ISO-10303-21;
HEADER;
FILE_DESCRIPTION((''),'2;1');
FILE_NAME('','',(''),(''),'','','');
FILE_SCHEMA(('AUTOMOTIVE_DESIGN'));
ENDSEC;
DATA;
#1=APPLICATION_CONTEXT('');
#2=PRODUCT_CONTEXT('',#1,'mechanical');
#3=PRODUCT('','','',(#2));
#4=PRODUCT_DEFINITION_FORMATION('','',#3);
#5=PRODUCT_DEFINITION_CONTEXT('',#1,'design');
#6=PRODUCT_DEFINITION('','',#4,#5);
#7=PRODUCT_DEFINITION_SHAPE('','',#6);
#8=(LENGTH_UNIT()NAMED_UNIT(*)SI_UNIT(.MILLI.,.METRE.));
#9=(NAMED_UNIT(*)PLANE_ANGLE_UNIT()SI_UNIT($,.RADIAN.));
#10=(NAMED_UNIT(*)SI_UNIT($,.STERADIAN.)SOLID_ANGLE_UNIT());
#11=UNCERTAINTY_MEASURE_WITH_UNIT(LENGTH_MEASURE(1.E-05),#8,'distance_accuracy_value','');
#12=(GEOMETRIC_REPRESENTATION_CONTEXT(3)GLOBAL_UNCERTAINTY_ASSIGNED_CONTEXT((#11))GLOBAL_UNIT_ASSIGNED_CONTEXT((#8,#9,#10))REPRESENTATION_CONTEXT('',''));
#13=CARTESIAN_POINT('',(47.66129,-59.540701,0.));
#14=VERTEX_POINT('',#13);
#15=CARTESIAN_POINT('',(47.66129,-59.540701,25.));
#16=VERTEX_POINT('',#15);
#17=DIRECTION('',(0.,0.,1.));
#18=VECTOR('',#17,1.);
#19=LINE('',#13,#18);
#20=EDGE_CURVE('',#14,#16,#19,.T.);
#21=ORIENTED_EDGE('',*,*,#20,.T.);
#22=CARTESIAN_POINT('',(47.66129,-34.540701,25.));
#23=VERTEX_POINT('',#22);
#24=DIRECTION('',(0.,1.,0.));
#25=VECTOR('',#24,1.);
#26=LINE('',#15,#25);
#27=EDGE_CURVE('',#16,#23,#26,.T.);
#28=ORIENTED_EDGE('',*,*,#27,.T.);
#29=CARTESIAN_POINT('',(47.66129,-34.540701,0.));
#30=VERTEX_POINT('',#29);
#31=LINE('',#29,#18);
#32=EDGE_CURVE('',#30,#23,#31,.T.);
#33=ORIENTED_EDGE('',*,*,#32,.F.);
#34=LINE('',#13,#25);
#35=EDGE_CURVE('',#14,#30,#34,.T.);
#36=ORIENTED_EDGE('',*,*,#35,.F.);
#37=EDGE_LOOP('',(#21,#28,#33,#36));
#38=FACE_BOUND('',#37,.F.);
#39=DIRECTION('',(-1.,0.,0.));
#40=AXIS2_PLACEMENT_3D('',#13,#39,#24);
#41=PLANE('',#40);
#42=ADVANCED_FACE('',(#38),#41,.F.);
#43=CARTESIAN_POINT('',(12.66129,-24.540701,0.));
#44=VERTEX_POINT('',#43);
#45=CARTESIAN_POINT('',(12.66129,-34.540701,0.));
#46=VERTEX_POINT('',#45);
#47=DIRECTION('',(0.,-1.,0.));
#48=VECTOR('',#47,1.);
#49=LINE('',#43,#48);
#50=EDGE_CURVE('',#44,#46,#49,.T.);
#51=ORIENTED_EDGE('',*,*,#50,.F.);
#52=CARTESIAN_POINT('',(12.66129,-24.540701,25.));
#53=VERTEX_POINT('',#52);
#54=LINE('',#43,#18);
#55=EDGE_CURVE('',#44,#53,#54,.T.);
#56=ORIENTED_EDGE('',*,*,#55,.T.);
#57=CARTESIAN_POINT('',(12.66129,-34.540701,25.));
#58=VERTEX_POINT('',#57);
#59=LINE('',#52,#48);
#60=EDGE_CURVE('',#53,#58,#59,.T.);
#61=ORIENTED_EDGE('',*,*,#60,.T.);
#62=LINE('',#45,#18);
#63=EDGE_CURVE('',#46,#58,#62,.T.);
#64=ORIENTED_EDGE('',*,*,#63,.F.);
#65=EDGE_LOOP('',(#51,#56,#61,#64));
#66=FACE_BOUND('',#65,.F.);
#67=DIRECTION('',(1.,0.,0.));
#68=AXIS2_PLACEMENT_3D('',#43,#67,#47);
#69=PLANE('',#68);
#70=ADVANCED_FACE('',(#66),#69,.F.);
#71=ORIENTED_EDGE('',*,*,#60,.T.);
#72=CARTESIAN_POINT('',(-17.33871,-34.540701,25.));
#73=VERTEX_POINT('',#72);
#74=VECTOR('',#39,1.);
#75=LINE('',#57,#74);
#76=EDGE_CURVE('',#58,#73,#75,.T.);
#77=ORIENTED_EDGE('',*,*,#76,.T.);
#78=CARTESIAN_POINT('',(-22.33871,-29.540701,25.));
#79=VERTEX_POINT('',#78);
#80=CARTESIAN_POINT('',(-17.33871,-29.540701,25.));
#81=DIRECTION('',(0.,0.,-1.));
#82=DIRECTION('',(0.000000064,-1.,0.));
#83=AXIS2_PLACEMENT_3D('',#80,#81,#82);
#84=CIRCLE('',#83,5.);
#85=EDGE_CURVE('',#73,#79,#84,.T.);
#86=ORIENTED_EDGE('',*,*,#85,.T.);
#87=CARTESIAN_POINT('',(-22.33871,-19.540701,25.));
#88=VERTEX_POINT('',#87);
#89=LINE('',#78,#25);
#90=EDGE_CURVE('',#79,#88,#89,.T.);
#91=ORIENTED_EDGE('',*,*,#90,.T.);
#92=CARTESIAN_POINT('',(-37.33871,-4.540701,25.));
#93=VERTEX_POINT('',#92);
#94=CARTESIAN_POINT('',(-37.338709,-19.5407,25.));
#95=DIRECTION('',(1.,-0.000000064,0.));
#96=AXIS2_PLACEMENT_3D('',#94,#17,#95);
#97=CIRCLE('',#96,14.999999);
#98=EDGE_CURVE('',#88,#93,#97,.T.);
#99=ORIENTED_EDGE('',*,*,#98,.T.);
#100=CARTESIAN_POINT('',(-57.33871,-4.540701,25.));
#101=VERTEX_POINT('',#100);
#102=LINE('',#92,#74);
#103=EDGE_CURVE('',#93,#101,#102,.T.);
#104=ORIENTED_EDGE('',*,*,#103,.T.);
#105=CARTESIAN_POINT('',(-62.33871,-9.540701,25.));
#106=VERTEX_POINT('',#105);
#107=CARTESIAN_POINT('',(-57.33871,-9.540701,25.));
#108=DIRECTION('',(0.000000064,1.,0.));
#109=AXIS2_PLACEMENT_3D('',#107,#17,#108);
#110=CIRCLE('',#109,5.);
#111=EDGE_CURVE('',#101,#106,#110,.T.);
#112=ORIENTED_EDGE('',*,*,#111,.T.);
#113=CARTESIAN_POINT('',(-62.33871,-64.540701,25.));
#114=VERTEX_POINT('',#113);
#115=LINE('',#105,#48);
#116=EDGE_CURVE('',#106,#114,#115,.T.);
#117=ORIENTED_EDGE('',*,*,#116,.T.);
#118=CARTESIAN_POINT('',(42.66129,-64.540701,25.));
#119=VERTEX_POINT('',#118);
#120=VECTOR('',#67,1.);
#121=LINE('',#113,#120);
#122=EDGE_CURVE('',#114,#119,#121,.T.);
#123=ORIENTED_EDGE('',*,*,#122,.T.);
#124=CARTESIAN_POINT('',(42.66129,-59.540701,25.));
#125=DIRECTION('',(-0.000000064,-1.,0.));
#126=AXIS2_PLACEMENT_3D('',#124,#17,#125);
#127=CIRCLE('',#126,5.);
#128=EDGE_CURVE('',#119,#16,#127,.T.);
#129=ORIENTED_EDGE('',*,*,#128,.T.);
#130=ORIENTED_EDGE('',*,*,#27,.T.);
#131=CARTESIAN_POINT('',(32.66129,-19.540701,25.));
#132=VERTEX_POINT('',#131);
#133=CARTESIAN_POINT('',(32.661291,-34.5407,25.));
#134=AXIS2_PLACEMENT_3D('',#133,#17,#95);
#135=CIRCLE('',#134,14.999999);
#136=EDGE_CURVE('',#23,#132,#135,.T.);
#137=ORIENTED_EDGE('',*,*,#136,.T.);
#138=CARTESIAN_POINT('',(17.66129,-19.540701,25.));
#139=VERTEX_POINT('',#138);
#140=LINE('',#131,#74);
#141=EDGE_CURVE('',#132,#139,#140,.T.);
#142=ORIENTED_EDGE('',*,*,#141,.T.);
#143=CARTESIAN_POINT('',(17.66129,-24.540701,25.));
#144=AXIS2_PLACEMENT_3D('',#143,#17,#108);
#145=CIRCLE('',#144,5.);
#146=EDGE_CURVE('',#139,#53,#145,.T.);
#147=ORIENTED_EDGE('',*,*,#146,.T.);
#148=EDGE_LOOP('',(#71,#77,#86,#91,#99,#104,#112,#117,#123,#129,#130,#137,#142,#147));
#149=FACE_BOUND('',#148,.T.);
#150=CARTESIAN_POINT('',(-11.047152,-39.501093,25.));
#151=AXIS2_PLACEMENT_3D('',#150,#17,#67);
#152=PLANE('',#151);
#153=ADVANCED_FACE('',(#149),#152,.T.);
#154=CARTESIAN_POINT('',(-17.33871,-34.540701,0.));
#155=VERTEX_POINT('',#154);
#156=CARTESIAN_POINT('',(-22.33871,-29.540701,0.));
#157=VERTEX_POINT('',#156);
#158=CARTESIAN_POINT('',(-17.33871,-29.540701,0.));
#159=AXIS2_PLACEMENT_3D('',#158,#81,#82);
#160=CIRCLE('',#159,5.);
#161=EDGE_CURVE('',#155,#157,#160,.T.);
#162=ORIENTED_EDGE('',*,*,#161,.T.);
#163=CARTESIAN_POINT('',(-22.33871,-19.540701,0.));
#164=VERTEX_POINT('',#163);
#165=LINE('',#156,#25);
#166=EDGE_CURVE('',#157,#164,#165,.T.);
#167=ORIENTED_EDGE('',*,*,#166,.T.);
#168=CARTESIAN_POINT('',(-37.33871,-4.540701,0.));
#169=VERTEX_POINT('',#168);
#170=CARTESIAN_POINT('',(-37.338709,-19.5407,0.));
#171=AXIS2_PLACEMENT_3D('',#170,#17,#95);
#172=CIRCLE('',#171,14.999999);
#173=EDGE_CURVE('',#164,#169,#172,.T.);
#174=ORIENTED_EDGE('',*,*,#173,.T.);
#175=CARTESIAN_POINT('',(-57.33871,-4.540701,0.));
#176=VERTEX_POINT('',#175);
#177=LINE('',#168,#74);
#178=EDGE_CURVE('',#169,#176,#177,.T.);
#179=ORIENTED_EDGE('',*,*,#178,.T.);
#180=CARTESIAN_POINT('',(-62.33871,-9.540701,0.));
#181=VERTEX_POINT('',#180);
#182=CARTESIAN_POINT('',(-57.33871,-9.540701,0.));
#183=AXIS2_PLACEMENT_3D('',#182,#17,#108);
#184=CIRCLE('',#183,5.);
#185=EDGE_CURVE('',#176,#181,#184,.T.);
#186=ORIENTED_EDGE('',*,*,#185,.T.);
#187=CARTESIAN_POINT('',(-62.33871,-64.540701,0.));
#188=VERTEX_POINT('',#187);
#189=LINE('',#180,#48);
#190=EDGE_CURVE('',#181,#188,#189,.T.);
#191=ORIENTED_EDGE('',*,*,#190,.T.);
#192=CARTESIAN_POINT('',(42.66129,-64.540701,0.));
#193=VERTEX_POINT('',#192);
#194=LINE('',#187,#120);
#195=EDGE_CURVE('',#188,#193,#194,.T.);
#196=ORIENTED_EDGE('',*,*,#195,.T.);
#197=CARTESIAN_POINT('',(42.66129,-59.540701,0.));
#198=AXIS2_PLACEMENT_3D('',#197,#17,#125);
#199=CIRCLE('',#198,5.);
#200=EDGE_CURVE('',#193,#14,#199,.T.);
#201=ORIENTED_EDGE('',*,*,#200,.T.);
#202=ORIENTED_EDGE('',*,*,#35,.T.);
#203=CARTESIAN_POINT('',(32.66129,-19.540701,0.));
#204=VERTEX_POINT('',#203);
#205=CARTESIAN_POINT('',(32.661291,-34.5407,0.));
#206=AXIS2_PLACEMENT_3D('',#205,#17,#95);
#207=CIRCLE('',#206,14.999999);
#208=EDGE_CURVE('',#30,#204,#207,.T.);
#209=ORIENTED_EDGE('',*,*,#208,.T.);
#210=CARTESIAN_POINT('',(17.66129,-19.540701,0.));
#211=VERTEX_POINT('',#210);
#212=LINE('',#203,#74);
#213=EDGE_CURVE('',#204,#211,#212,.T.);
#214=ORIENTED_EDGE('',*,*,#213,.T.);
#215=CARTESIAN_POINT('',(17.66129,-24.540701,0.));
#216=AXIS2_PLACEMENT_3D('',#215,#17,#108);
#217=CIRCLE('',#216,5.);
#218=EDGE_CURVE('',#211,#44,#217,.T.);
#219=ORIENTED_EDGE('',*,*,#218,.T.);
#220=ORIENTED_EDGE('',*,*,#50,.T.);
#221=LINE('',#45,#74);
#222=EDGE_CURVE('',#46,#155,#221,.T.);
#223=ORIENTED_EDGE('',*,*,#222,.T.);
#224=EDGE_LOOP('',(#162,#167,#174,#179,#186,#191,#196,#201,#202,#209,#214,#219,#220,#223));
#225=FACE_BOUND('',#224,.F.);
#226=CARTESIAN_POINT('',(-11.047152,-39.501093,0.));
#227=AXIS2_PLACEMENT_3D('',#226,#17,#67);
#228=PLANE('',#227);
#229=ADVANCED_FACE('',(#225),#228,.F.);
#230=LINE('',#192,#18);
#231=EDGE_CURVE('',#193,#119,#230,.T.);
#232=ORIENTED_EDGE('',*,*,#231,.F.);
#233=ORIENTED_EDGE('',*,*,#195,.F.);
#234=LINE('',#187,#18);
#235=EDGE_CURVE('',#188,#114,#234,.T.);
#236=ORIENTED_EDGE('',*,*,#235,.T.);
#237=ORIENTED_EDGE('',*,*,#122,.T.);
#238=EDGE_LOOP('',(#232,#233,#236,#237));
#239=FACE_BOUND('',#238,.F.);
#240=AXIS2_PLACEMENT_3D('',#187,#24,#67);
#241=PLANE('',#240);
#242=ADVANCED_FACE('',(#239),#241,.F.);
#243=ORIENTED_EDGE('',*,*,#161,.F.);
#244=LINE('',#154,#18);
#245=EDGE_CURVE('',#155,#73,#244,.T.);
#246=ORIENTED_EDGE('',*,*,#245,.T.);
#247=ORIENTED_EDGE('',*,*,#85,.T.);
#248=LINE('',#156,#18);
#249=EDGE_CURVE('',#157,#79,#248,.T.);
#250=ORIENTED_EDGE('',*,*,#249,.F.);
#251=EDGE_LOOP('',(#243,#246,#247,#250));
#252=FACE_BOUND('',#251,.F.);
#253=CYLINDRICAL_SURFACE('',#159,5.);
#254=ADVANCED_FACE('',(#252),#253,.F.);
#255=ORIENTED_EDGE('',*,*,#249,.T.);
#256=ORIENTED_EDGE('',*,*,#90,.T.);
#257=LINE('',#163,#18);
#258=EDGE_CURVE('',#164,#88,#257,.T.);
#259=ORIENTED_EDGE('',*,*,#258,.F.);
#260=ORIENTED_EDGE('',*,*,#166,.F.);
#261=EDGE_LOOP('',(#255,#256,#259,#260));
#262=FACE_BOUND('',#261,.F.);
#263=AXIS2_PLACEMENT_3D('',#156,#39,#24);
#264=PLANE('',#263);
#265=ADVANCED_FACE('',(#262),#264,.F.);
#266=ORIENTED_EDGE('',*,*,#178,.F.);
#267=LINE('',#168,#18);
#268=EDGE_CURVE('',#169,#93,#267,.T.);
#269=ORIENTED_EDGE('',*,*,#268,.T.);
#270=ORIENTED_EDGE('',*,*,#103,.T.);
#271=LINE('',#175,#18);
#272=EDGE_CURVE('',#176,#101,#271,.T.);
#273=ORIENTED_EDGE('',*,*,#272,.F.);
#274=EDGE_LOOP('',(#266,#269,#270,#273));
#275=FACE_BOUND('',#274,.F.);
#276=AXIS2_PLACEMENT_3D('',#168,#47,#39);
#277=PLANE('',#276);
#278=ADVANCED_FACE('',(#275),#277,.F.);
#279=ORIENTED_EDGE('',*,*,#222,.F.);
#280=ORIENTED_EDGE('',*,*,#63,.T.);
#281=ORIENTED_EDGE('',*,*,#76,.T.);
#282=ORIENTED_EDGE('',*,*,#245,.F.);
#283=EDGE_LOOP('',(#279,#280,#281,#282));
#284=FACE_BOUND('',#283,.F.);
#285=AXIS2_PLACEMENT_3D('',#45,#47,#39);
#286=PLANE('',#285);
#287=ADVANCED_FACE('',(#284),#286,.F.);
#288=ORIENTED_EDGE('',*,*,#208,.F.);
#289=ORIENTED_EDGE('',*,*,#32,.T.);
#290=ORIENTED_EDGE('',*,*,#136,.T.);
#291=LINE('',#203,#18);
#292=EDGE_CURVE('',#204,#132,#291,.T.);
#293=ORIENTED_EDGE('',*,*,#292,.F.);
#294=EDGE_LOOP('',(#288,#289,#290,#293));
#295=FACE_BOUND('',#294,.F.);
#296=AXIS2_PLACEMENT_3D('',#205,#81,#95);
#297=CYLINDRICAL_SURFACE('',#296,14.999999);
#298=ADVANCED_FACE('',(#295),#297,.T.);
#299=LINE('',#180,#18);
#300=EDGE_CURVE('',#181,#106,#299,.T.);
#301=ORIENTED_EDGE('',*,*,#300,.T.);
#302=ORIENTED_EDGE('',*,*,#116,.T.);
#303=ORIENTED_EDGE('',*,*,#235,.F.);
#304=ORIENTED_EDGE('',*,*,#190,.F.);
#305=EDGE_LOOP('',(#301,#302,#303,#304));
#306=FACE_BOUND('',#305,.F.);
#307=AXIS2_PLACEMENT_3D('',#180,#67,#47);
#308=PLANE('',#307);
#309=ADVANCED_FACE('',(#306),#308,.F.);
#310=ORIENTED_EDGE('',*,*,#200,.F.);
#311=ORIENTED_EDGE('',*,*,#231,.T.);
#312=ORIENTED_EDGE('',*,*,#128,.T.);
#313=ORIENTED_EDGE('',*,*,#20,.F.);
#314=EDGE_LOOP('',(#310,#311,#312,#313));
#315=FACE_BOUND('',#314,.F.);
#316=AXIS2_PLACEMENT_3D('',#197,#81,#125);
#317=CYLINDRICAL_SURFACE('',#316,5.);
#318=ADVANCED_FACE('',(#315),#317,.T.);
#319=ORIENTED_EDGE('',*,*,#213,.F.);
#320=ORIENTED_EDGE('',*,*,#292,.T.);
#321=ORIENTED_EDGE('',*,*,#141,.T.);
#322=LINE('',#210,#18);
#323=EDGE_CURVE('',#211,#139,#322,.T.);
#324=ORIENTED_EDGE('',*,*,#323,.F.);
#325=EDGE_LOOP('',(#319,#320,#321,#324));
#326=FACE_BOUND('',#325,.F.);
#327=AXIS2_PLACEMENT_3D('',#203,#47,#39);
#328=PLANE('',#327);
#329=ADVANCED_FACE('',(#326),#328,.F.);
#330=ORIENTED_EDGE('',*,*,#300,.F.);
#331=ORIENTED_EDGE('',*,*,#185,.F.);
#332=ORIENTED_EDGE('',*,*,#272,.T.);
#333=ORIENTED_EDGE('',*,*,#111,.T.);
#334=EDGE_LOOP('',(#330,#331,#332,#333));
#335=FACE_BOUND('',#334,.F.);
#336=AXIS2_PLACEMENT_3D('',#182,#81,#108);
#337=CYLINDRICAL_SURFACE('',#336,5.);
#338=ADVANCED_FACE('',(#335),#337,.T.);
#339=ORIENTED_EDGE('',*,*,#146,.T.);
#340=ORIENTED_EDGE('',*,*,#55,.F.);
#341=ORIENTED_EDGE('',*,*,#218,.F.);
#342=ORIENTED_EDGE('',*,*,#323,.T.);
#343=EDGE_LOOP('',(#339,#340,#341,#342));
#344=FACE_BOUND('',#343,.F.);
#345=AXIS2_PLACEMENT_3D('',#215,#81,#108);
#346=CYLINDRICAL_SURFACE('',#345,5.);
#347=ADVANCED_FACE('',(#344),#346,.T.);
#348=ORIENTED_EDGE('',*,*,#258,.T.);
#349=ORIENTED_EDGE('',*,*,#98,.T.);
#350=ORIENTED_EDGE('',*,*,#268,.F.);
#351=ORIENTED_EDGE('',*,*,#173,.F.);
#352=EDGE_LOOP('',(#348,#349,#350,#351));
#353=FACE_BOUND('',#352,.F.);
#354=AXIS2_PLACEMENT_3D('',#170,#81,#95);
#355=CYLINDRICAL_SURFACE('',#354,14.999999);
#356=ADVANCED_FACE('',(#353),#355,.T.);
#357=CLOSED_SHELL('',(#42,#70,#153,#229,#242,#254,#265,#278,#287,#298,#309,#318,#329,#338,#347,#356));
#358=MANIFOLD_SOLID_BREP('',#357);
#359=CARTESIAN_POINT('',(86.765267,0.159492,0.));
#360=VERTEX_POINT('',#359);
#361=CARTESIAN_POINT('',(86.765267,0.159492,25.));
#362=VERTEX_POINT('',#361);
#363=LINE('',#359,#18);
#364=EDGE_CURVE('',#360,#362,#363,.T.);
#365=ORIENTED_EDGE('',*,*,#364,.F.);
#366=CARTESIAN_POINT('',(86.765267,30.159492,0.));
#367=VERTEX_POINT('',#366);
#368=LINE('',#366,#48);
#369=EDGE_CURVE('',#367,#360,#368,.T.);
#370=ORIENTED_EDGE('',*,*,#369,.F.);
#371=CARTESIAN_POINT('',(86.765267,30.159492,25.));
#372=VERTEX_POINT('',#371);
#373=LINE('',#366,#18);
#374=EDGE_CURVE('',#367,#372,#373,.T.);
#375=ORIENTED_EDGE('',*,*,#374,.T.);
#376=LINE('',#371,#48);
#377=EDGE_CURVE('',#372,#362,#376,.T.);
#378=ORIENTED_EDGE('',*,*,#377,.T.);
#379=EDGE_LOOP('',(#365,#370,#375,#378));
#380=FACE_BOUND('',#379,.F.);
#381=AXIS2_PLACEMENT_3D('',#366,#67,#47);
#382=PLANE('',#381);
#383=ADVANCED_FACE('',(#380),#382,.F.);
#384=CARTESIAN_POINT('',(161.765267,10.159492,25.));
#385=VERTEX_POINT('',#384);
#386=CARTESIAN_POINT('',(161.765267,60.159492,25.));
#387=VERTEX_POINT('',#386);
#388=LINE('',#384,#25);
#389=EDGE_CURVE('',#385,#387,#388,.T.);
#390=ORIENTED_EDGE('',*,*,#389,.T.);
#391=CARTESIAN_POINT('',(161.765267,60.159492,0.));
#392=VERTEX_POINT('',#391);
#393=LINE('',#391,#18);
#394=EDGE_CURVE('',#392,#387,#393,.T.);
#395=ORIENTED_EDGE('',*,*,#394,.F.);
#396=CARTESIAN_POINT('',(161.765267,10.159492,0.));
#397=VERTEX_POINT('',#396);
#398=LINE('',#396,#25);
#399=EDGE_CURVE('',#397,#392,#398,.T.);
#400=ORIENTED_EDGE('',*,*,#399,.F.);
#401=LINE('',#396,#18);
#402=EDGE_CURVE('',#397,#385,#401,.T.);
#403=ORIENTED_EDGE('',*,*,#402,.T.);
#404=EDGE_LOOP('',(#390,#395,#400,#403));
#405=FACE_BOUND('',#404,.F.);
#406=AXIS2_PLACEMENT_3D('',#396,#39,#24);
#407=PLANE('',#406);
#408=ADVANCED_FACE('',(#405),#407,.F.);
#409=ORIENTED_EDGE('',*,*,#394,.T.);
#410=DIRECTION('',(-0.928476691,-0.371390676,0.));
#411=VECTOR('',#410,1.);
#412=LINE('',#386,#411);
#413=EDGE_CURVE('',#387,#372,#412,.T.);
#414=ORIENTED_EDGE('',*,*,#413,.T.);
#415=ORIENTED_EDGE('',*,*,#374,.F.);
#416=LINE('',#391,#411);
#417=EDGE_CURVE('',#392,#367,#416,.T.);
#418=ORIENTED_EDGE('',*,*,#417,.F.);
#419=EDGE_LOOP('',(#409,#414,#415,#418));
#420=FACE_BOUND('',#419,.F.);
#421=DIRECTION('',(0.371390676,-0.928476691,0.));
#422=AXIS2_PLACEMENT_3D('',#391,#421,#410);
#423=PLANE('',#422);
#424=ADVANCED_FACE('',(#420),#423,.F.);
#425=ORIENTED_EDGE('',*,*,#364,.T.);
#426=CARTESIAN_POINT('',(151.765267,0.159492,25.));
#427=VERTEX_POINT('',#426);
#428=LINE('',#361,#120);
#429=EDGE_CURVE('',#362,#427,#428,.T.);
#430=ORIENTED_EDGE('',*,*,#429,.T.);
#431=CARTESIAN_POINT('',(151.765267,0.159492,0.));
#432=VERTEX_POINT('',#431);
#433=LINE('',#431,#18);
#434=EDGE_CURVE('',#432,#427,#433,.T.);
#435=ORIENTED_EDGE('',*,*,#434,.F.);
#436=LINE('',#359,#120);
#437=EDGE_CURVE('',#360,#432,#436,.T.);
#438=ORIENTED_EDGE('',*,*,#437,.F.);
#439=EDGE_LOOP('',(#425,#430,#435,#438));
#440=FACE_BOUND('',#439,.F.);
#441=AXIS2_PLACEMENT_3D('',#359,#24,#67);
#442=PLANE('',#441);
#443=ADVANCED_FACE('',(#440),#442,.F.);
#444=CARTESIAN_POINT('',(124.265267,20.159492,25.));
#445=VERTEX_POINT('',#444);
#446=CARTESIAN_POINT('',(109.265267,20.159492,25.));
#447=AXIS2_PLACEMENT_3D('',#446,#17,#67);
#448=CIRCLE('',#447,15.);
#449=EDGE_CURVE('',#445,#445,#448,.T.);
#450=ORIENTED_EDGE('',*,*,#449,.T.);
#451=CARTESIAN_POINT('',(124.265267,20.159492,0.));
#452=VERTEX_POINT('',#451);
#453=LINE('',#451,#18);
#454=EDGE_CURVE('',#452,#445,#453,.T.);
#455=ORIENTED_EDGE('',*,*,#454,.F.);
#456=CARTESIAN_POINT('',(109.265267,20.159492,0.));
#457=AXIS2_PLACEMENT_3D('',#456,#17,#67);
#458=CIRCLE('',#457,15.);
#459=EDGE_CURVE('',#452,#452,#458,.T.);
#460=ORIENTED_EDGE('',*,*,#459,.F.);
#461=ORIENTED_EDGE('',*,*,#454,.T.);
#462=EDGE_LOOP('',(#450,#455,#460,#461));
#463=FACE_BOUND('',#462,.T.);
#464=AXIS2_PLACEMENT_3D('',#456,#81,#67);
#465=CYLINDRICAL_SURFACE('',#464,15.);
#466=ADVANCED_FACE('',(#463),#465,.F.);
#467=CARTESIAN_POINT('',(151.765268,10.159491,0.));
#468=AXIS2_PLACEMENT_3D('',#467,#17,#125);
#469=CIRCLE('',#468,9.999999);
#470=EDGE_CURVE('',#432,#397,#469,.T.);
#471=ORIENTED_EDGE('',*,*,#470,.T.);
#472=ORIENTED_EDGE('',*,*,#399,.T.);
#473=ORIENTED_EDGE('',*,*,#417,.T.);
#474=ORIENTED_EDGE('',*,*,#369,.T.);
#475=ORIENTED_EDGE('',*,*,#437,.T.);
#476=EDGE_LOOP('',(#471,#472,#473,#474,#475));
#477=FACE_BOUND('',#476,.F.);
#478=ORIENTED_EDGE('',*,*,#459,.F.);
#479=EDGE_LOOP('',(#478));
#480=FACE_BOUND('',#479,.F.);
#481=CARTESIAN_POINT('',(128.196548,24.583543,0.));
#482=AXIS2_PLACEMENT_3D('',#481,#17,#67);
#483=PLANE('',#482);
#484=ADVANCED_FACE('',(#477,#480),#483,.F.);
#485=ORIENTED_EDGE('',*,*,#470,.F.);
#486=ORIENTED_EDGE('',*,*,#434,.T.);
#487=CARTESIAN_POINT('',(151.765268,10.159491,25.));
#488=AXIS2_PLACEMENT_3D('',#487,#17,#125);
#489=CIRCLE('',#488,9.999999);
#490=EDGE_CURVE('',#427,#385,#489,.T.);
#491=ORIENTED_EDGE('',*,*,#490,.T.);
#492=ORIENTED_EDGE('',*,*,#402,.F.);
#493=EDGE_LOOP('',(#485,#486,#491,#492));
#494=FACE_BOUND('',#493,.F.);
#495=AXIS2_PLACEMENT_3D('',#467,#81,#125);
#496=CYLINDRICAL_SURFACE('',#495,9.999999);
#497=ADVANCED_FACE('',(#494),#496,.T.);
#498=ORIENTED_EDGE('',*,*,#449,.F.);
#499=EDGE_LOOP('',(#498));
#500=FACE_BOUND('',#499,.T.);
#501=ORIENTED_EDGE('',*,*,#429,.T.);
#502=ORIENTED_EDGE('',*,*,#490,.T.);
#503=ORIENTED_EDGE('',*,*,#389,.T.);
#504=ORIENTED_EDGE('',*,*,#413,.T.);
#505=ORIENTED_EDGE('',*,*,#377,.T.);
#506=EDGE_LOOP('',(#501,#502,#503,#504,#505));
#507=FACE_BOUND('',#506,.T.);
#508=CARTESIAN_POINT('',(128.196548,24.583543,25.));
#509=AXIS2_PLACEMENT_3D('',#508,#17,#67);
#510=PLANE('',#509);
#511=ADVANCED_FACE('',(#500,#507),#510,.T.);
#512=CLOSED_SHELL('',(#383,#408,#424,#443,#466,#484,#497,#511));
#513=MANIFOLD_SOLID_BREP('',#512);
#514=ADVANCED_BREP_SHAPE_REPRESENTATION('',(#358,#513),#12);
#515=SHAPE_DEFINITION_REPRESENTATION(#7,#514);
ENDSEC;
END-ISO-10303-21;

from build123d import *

# Parameters (mm, degrees)
F0_R     = 15
F1_DEPTH = 25


with BuildPart() as f1:
    # F0 (on Top) → F1 (new body)
    with BuildSketch(Plane.XY):
        with BuildLine():
            Line((161.765267, 60.159492), (86.765267, 30.159492))
            Line((86.765267, 30.159492), (86.765267, 0.159492))
            Line((86.765267, 0.159492), (151.765267, 0.159492))
            ThreePointArc((151.765267, 0.159492), (158.836335, 3.088424), (161.765267, 10.159492))
            Line((161.765267, 10.159492), (161.765267, 60.159492))
        make_face()
        with Locations((109.265267, 20.159492)):
            Circle(F0_R, mode=Mode.SUBTRACT)
        with BuildLine():
            Line((-62.33871, -9.540701), (-62.33871, -64.540701))
            Line((-62.33871, -64.540701), (42.66129, -64.540701))
            ThreePointArc((42.66129, -64.540701), (46.196824, -63.076235), (47.66129, -59.540701))
            Line((47.66129, -59.540701), (47.66129, -34.540701))
            ThreePointArc((47.66129, -34.540701), (43.267892, -23.934099), (32.66129, -19.540701))
            Line((32.66129, -19.540701), (17.66129, -19.540701))
            ThreePointArc((17.66129, -19.540701), (14.125756, -21.005167), (12.66129, -24.540701))
            Line((12.66129, -24.540701), (12.66129, -34.540701))
            Line((12.66129, -34.540701), (-17.33871, -34.540701))
            ThreePointArc((-17.33871, -34.540701), (-20.874244, -33.076235), (-22.33871, -29.540701))
            Line((-22.33871, -29.540701), (-22.33871, -19.540701))
            ThreePointArc((-22.33871, -19.540701), (-26.732108, -8.934099), (-37.33871, -4.540701))
            Line((-37.33871, -4.540701), (-57.33871, -4.540701))
            ThreePointArc((-57.33871, -4.540701), (-60.874244, -6.005167), (-62.33871, -9.540701))
        make_face()
    extrude(amount=F1_DEPTH)


solid = f1.part
